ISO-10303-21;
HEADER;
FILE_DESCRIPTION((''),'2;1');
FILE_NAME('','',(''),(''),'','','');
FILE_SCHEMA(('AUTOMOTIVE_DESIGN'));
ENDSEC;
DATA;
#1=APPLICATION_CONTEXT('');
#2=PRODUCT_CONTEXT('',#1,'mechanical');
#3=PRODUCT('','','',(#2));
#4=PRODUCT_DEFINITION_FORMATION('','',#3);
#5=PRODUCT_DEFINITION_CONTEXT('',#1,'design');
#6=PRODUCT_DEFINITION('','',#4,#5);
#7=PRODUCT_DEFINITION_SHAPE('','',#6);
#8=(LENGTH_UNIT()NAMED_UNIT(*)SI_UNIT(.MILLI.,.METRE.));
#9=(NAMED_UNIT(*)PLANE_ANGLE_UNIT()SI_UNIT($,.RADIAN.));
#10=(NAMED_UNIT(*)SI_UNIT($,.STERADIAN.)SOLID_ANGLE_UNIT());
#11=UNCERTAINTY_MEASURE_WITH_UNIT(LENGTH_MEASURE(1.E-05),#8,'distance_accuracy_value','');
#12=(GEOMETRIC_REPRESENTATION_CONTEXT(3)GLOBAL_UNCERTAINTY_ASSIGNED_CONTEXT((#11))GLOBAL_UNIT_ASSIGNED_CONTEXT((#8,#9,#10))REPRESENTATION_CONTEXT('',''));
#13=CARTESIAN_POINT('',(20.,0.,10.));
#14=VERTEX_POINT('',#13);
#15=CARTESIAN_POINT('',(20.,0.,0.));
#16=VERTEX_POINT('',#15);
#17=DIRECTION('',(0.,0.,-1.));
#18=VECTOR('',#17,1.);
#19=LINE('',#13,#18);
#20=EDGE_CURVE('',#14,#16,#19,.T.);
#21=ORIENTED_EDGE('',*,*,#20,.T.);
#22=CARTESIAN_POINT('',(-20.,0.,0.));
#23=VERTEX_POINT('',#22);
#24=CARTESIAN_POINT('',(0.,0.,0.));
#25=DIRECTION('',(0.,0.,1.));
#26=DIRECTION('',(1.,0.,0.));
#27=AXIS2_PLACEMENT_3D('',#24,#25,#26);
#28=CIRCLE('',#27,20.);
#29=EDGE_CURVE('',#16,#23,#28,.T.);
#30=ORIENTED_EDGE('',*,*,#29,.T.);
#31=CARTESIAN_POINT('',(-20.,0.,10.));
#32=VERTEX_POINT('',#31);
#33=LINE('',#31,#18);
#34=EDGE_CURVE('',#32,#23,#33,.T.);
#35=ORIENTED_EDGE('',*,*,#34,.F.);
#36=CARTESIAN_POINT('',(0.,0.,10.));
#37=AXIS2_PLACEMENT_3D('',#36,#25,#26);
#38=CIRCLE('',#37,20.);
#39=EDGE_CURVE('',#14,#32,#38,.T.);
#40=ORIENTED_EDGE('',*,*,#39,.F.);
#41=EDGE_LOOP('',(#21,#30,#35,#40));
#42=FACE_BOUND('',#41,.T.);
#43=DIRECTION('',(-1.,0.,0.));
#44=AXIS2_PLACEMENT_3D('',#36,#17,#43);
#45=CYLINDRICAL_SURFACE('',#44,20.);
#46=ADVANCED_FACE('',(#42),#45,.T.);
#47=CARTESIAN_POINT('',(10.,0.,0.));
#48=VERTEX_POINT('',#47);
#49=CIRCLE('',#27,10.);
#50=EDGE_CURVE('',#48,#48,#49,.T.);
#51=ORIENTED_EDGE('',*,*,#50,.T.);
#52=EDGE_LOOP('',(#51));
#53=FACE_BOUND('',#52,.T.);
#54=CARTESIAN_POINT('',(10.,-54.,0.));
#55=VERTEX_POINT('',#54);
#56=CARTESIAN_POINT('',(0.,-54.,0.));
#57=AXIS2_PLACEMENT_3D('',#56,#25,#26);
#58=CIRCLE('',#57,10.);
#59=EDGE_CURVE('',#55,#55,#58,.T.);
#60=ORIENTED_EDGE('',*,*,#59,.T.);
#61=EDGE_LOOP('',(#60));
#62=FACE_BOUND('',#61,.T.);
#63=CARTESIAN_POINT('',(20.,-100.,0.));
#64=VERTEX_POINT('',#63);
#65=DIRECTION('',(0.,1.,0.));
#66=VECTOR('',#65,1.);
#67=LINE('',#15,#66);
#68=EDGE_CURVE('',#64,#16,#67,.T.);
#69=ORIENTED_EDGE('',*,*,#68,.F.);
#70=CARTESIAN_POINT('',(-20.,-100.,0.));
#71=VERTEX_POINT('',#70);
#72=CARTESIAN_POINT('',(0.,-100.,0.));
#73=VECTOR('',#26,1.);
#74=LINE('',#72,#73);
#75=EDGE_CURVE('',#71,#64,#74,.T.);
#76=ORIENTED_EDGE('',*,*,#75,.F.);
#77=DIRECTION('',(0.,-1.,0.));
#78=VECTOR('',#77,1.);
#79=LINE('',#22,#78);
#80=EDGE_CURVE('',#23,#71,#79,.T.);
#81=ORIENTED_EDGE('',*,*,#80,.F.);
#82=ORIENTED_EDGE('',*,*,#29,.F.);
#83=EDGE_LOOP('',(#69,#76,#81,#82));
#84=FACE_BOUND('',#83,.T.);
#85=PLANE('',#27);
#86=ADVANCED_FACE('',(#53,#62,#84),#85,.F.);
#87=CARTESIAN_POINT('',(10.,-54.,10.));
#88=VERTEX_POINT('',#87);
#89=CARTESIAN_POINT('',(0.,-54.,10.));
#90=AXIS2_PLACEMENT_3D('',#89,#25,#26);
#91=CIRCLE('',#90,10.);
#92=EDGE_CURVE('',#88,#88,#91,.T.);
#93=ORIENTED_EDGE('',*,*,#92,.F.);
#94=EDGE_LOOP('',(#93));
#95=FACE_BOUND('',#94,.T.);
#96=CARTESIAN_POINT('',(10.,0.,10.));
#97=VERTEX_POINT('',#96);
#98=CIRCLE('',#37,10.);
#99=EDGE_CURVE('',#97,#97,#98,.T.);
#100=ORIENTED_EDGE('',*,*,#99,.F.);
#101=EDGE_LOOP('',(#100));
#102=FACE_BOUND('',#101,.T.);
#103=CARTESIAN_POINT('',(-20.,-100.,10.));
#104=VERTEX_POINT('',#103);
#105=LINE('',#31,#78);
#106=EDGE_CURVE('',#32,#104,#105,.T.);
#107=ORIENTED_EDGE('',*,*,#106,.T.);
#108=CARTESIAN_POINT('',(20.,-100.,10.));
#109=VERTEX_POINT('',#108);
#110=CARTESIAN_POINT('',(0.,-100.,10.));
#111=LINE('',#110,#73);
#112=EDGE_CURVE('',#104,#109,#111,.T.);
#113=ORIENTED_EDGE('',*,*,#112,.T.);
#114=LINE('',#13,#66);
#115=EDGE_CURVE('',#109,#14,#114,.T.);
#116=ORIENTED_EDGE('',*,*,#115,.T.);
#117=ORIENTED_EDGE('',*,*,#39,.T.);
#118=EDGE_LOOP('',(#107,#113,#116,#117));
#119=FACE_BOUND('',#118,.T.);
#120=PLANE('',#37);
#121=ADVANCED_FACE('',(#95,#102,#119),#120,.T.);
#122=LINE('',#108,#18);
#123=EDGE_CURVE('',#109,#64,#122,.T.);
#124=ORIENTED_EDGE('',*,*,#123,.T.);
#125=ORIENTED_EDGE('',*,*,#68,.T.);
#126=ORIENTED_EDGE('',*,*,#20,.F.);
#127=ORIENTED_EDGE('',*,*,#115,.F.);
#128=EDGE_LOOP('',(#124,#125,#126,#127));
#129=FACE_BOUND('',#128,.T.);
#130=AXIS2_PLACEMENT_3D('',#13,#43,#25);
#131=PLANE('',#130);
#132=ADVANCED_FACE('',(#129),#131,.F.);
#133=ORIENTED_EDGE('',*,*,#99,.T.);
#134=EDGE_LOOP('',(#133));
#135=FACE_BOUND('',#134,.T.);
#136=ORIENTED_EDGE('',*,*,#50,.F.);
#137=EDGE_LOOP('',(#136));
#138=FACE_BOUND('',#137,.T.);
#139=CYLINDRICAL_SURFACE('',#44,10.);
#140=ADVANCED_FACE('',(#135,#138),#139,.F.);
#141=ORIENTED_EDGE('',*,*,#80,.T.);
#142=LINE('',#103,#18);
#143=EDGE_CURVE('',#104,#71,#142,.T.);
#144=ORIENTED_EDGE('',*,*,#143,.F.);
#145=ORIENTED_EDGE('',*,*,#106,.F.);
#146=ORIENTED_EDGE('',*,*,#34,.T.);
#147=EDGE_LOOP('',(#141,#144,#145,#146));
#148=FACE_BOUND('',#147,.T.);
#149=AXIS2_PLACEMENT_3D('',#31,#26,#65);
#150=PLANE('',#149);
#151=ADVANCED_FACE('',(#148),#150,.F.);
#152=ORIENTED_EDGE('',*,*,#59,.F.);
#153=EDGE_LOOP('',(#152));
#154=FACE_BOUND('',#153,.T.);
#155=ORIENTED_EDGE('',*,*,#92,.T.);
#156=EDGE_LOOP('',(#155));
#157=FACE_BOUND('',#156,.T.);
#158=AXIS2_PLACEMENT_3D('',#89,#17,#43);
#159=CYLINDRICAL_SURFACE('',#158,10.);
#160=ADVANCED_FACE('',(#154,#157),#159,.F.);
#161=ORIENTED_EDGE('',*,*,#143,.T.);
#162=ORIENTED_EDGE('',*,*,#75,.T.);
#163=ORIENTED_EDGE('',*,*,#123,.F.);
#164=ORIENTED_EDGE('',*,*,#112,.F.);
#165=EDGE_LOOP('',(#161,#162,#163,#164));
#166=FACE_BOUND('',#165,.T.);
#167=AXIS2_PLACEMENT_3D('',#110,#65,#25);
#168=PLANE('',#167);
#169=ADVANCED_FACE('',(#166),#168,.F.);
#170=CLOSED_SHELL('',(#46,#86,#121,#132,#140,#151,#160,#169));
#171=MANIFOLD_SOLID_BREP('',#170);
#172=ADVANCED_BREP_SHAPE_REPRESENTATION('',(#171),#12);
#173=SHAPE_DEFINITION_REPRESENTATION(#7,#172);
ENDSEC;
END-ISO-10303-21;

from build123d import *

# Parameters (mm, degrees)
SKETCH_1_R      = 10
EXTRUDE_2_DEPTH = 10


with BuildPart() as part:
    # 草图1 → 凸台-拉伸2 (new body)
    with BuildSketch(Plane.XY):
        with BuildLine():
            ThreePointArc((20, 0), (0, 20), (-20, 0))
            Line((-20, 0), (-20, -100))
            Line((-20, -100), (20, -100))
            Line((20, -100), (20, 0))
        make_face()
        Circle(SKETCH_1_R, mode=Mode.SUBTRACT)
        with Locations((0, -54)):
            Circle(SKETCH_1_R, mode=Mode.SUBTRACT)
    extrude(amount=EXTRUDE_2_DEPTH)


solid = part.part
